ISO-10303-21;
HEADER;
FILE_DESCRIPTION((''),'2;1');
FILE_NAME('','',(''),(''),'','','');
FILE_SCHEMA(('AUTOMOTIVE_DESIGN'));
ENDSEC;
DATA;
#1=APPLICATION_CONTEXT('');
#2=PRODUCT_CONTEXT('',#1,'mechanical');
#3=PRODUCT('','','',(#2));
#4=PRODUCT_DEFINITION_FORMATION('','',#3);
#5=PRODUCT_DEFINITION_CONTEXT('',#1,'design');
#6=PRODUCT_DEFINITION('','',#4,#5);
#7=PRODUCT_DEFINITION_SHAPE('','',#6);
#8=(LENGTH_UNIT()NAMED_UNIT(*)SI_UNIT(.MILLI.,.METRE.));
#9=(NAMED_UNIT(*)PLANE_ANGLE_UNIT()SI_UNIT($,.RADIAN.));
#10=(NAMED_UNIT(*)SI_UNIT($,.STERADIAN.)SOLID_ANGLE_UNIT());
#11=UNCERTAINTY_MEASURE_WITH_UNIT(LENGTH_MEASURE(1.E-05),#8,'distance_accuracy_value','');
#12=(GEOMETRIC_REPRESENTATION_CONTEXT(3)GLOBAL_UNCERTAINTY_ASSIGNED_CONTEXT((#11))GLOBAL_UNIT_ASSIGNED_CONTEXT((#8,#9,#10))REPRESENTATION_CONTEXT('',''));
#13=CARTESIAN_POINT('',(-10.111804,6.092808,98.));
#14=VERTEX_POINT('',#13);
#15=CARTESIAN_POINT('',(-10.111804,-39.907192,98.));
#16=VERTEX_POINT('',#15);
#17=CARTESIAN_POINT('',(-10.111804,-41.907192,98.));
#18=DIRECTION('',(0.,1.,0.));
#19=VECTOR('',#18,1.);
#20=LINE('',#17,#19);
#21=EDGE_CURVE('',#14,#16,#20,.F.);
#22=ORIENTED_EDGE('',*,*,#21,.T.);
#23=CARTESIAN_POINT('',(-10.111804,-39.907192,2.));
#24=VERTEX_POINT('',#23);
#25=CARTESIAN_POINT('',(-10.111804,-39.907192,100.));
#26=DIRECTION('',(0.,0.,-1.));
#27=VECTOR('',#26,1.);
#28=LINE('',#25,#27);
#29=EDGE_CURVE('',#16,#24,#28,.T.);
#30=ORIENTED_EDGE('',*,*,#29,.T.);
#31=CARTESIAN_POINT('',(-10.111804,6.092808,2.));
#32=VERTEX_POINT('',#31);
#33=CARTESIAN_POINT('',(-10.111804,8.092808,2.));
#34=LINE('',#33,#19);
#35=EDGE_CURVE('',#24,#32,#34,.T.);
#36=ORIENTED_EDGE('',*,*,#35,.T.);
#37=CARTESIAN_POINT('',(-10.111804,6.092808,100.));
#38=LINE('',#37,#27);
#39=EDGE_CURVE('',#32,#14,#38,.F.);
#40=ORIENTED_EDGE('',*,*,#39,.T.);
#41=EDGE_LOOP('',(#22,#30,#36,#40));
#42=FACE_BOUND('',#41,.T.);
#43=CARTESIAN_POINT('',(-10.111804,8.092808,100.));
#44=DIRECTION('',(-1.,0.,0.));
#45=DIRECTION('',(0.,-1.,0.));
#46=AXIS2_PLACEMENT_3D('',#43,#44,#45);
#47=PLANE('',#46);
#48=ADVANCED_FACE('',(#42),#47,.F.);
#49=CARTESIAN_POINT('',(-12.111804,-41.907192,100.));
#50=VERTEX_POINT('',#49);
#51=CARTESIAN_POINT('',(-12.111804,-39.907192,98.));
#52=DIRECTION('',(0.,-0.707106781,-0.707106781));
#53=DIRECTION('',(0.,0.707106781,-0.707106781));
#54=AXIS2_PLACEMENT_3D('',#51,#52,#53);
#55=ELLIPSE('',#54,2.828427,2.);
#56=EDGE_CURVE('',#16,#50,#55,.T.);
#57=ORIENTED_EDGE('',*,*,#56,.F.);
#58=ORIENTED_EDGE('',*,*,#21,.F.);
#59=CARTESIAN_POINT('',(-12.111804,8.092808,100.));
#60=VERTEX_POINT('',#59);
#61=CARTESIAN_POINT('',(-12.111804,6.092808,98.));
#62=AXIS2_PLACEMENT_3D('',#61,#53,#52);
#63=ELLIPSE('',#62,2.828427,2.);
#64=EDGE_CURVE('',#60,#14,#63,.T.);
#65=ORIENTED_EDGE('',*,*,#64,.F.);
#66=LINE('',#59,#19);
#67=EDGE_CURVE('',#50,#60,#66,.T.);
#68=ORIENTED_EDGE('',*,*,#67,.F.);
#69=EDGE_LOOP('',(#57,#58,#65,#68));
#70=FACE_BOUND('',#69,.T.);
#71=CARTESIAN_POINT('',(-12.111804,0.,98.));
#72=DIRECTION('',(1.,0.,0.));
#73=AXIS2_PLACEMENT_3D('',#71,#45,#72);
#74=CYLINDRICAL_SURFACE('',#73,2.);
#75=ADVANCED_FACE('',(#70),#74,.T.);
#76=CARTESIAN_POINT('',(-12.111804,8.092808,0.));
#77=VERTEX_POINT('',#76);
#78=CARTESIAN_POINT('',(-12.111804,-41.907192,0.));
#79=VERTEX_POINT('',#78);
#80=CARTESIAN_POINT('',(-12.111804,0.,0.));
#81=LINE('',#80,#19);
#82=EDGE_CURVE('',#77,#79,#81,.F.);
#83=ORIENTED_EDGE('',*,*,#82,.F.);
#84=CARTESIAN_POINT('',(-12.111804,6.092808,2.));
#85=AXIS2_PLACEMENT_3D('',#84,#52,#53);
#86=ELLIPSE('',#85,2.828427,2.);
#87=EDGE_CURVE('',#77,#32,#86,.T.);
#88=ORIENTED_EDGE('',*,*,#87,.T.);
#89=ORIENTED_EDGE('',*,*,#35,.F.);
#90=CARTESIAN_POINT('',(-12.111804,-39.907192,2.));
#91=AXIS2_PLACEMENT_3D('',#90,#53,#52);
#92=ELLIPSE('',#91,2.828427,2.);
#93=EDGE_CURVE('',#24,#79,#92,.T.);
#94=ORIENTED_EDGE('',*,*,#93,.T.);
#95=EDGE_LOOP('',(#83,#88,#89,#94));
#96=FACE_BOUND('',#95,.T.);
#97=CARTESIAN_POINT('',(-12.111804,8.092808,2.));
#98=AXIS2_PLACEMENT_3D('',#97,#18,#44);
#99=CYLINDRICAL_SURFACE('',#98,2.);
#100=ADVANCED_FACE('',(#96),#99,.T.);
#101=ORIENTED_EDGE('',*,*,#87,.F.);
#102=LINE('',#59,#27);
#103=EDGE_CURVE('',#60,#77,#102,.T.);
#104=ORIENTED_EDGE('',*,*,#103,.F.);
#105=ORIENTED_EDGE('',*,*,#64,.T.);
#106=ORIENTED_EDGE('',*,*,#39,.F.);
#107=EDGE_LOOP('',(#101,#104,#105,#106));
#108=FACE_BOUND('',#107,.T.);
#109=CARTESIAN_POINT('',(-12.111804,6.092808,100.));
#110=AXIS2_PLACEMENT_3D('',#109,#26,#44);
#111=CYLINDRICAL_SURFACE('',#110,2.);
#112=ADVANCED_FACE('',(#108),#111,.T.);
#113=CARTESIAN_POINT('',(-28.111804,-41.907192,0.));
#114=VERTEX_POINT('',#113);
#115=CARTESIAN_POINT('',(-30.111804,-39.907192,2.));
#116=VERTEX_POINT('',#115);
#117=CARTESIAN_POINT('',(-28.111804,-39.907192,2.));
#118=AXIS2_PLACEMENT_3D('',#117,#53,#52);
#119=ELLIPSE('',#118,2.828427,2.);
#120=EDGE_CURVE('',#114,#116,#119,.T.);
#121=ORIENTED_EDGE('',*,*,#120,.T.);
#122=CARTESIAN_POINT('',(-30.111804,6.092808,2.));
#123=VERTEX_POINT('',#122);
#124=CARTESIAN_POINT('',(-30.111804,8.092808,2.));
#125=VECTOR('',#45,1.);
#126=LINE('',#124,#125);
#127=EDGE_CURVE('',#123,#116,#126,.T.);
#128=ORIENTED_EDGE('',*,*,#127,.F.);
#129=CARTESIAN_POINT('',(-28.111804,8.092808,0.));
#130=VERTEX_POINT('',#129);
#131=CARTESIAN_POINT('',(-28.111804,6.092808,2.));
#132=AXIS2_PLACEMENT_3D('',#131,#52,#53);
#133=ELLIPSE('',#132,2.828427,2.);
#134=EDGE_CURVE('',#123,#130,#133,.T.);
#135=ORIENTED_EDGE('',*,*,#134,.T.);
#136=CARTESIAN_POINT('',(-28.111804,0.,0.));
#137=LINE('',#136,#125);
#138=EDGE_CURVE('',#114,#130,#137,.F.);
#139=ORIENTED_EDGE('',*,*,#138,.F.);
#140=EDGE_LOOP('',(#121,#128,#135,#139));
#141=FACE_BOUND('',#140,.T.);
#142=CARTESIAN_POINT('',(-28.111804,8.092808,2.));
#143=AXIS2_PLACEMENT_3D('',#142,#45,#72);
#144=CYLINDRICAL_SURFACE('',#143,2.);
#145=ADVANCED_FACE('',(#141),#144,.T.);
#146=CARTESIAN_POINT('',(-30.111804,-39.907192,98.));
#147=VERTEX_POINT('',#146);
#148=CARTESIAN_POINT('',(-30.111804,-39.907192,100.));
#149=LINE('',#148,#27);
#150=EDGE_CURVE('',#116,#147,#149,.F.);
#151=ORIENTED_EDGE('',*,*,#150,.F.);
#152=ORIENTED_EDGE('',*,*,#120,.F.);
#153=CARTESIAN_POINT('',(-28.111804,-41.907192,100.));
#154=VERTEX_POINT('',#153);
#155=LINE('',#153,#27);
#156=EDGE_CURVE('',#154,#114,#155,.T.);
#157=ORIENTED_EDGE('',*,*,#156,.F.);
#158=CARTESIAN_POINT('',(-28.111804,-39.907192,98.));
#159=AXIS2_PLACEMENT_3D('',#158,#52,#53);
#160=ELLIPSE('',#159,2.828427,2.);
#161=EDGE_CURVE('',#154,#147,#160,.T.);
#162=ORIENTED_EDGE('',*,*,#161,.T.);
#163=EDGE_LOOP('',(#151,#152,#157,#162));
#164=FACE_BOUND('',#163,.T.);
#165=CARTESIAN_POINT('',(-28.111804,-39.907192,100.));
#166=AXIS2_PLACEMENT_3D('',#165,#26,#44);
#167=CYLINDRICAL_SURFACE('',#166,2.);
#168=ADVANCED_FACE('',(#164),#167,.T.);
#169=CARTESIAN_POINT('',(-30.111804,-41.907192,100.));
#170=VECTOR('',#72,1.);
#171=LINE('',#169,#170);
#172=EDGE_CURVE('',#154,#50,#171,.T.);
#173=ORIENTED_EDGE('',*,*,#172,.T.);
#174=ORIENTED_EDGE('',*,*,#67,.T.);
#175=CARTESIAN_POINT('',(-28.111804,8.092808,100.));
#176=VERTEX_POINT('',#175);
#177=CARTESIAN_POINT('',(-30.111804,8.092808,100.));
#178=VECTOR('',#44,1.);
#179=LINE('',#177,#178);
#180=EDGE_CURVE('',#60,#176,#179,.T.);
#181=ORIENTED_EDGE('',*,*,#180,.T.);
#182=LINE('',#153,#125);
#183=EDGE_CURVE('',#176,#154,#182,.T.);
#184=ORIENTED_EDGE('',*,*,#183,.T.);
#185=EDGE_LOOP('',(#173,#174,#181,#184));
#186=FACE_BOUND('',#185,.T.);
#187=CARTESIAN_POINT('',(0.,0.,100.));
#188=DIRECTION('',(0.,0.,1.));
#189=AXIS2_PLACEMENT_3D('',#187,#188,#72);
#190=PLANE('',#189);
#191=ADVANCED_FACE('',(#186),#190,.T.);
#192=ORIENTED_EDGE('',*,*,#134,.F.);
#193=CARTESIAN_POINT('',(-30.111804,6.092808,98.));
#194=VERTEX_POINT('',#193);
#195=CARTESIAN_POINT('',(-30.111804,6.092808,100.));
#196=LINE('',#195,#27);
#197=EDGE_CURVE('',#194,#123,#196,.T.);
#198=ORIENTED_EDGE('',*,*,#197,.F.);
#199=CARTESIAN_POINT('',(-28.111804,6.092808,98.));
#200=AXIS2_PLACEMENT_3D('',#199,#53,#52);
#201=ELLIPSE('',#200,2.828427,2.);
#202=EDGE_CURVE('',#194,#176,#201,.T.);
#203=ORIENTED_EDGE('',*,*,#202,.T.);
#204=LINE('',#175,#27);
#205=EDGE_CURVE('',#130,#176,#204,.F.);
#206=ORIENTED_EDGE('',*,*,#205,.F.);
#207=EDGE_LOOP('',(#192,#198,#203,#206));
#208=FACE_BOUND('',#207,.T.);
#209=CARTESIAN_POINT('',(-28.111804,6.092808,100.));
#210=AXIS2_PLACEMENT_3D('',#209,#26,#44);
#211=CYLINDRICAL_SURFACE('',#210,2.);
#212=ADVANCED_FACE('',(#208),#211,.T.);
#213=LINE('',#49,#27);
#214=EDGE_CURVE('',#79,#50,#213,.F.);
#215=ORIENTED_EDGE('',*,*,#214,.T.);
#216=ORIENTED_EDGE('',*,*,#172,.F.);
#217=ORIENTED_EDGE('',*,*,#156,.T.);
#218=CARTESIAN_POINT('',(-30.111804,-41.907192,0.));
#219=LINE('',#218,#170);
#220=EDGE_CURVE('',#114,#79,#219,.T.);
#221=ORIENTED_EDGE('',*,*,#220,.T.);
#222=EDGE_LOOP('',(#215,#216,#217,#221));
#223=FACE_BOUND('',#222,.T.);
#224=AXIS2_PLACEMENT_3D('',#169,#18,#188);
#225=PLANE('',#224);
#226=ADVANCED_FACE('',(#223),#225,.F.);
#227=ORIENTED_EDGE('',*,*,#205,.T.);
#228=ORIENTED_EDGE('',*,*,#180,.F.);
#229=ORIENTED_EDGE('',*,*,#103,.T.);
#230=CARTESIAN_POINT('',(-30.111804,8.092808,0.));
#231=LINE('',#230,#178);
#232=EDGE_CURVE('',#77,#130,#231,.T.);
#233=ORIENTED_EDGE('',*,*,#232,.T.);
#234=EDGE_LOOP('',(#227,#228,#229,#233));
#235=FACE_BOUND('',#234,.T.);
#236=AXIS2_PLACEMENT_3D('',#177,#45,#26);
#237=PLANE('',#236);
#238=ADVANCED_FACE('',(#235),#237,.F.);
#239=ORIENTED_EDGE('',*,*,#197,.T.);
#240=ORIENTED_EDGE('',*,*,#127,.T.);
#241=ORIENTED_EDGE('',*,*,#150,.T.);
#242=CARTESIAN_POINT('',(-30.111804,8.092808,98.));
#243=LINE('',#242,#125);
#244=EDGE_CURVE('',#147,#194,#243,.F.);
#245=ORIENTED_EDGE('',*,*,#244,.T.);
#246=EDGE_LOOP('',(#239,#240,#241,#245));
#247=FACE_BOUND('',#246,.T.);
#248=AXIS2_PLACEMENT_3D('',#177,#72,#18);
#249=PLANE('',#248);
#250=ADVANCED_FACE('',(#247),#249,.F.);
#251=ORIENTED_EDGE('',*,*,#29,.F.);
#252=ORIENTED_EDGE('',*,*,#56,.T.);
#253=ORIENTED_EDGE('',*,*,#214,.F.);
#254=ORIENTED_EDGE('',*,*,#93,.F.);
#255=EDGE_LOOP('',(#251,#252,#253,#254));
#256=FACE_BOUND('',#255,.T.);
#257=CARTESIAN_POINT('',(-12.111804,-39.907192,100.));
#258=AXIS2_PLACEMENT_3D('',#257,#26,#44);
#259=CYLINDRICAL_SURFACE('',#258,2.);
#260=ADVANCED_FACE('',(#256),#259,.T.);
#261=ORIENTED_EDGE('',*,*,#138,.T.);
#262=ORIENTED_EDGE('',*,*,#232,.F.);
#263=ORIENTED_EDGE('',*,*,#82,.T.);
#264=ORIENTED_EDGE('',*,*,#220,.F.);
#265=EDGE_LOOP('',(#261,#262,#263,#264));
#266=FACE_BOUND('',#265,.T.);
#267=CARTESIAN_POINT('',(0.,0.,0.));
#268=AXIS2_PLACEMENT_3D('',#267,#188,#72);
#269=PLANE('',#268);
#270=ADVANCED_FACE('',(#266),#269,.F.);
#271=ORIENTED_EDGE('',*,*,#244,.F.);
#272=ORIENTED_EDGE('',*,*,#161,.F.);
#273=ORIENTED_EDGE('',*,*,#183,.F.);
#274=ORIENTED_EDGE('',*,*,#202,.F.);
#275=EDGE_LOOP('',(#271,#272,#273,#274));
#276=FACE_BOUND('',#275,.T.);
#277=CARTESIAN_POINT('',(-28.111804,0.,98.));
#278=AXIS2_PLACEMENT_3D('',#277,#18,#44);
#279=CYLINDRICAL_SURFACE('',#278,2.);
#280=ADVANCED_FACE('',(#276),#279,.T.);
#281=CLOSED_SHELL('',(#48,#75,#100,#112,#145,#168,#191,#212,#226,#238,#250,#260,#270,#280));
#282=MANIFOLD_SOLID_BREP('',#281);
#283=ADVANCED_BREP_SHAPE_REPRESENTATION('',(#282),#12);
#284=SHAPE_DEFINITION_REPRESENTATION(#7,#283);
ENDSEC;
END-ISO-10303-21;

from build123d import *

# Parameters (mm, degrees)
CROQUIS1_W              = 20
CROQUIS1_H              = 50
SALIENTE_EXTRUIR1_DEPTH = 100
REDONDEO1_R             = 2


with BuildPart() as part:
    # Croquis1 → Saliente-Extruir1 (new body)
    with BuildSketch(Plane.XY):
        with Locations((-20.111803819, -16.907191939)):
            Rectangle(CROQUIS1_W, CROQUIS1_H)
    extrude(amount=SALIENTE_EXTRUIR1_DEPTH)

    # Redondeo1
    redondeo1_edges = [part.edges().sort_by_distance(p)[0] for p in [
        (-10.111803819, -16.907191939, 100),
        (-30.111803819, -16.907191939, 100),
        (-10.111803819, -16.907191939, 0),
        (-30.111803819, -16.907191939, 0),
        (-30.111803819, 8.092808061, 50),
        (-10.111803819, 8.092808061, 50),
        (-10.111803819, -41.907191939, 50),
        (-30.111803819, -41.907191939, 50),
    ]]
    fillet(redondeo1_edges, radius=REDONDEO1_R)


solid = part.part
